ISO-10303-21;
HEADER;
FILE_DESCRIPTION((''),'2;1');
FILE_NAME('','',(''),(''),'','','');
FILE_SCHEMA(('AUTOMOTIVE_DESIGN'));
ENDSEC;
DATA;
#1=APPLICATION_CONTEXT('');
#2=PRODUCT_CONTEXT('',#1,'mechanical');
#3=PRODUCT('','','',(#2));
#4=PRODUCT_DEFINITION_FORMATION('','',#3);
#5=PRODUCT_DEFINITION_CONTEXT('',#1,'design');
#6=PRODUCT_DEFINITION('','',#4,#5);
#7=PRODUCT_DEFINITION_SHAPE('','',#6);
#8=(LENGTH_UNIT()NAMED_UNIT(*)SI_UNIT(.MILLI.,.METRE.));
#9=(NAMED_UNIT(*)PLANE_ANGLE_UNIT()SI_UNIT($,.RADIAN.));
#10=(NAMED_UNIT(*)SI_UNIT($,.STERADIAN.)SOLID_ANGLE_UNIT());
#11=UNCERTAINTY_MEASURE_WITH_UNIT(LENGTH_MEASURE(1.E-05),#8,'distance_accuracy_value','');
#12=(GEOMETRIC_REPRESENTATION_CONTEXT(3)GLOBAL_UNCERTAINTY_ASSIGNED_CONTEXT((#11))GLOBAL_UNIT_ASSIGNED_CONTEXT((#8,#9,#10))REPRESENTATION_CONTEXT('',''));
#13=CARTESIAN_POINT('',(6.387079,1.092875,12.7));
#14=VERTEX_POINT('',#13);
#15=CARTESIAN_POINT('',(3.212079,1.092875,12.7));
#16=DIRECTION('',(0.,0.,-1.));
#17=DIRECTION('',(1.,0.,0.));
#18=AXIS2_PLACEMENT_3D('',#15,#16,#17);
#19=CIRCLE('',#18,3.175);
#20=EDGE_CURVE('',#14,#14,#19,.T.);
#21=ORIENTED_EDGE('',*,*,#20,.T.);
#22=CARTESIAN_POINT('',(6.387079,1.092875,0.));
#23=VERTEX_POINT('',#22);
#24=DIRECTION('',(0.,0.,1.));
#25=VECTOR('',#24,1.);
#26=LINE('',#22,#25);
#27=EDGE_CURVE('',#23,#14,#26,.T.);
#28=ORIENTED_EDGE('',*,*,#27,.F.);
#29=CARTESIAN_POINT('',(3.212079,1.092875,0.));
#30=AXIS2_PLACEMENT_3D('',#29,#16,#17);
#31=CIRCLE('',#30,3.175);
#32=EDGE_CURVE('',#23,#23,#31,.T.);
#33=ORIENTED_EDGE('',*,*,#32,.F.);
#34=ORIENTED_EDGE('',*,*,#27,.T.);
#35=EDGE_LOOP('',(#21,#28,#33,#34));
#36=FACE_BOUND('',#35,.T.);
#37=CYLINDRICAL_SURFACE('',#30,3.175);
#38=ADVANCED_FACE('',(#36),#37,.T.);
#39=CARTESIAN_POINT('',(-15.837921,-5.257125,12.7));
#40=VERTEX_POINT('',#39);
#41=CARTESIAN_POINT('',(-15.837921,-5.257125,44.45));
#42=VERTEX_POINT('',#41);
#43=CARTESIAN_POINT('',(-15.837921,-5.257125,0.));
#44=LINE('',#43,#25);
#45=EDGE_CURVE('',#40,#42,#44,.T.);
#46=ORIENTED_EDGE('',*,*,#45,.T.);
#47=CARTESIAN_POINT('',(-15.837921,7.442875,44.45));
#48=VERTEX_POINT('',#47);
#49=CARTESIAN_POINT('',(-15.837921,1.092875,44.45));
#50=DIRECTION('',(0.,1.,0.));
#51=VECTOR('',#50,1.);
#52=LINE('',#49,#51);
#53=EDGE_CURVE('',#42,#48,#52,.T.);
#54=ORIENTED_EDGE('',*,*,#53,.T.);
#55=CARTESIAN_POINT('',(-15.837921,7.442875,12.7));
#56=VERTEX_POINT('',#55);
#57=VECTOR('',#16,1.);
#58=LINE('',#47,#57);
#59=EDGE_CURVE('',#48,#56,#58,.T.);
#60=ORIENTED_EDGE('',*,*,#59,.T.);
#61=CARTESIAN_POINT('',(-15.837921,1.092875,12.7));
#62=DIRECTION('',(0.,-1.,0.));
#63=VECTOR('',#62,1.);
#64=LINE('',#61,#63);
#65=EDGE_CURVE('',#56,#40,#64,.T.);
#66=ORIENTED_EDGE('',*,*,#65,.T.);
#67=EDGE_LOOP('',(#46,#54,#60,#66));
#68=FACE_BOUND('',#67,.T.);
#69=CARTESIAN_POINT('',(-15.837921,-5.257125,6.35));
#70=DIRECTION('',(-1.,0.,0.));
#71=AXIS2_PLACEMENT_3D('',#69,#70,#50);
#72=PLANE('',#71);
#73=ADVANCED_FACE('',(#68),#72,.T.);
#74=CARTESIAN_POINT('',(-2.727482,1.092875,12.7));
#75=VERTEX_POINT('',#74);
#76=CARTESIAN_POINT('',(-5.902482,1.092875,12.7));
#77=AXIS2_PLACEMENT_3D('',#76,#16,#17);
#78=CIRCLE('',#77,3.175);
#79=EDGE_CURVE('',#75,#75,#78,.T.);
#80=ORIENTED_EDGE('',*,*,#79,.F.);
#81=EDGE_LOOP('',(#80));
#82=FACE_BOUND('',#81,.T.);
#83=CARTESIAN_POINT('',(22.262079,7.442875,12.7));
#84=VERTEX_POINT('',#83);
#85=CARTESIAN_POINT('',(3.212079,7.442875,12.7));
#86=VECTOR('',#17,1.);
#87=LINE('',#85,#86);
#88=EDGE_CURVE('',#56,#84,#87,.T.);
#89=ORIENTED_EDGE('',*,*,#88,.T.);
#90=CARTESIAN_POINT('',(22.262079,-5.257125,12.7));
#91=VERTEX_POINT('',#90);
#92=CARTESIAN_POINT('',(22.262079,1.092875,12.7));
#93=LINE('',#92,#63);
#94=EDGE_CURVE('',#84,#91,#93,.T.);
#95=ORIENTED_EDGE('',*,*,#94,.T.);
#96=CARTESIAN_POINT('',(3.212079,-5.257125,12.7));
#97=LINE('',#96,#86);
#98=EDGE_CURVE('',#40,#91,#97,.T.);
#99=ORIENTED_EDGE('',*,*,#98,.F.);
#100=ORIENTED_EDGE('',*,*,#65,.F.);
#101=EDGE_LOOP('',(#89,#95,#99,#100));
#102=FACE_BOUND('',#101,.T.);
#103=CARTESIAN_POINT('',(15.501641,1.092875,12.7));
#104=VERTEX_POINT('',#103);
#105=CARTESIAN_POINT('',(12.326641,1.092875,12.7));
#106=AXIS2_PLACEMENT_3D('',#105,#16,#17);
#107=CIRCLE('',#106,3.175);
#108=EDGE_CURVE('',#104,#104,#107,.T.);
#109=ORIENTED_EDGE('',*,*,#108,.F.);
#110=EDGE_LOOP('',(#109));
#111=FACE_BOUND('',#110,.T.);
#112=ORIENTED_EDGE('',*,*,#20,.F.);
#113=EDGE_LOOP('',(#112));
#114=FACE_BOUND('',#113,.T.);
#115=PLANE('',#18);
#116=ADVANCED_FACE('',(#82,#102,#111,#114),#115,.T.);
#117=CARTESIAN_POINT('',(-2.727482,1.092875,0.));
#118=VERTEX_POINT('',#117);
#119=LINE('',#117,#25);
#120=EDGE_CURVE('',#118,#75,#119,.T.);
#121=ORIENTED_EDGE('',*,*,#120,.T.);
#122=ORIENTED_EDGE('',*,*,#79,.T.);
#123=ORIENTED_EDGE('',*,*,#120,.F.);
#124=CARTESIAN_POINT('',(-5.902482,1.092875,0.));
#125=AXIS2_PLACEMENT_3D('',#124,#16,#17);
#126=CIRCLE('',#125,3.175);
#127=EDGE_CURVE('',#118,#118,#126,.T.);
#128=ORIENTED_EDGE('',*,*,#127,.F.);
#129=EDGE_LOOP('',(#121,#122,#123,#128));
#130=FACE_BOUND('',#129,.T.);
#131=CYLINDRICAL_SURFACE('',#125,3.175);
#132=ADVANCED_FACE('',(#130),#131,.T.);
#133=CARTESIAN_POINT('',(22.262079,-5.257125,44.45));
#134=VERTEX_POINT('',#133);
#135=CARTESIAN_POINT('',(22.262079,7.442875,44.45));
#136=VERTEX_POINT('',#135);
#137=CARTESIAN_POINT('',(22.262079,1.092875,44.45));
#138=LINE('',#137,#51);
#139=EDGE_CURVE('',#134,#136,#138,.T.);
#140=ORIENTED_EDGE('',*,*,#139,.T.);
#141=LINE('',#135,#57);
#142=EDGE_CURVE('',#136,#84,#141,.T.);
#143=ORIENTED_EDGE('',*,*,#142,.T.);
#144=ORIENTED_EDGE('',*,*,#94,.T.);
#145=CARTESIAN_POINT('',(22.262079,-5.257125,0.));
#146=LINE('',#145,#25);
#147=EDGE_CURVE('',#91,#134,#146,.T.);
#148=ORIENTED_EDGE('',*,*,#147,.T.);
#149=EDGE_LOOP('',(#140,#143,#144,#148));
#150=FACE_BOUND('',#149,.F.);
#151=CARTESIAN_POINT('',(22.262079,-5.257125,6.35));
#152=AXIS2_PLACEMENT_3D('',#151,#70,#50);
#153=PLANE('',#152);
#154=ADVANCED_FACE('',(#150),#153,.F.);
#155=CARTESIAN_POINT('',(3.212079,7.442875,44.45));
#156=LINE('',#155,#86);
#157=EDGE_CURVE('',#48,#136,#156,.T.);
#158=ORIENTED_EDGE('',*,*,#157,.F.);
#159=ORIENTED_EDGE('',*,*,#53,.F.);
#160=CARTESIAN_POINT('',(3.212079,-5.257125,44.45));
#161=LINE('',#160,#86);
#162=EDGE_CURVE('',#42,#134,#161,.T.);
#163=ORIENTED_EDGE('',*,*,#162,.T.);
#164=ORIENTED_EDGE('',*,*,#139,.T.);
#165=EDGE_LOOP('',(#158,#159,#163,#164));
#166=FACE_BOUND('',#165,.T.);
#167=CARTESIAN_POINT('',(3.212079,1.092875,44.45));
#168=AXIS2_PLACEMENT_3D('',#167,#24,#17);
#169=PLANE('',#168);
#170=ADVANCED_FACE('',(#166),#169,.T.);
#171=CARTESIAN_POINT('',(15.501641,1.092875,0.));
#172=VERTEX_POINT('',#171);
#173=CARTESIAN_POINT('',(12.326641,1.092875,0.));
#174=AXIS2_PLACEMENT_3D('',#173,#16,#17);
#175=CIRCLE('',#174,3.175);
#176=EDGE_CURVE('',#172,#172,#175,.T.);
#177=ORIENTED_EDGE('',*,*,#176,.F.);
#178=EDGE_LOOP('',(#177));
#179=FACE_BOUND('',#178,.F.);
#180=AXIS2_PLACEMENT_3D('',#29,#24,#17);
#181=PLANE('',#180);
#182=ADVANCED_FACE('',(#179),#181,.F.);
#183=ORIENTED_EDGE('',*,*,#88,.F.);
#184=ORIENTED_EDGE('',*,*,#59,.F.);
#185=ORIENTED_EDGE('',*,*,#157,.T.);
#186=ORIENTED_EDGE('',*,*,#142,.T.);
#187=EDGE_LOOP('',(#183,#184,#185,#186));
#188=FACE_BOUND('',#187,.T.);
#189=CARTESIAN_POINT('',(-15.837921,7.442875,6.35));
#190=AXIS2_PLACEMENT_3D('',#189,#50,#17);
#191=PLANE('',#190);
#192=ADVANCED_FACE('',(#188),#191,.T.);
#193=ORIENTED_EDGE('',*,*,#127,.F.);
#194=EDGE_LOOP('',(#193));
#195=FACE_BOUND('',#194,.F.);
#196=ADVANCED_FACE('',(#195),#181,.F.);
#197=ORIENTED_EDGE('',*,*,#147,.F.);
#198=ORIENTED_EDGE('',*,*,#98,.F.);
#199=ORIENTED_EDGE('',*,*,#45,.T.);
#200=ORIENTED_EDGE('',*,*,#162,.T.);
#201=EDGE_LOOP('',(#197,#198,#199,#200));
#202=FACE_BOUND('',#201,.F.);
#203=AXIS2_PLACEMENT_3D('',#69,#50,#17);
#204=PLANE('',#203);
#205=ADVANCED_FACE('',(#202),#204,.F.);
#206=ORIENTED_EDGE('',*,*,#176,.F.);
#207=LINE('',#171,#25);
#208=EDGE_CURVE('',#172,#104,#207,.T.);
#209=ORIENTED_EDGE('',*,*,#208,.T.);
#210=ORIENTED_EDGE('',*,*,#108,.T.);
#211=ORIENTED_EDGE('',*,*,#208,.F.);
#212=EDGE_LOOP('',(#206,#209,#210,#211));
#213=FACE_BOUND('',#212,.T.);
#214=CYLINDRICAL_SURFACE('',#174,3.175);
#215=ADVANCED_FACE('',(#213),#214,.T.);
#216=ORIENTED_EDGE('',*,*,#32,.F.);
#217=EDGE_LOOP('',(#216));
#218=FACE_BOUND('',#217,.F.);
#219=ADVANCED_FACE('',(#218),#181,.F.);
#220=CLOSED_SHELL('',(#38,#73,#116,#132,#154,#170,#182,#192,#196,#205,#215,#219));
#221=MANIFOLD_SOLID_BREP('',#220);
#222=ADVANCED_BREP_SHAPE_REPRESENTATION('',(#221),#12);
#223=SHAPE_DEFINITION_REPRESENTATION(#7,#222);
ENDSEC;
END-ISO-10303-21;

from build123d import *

# Parameters (mm, degrees)
F0_W     = 38.1
F0_H     = 12.7
F1_DEPTH = 6.35
F2_W     = 38.1
F2_H     = 12.7
F3_DEPTH = 38.1
F4_W     = 38.1
F4_H     = 12.7
F4_R     = 3.175
F5_DEPTH = 12.7


with BuildPart() as f1:
    # F0 (on Top) → F1 (new body)
    with BuildSketch(Plane.XY):
        with Locations((3.2120794058, 1.0928753239)):
            Rectangle(F0_W, F0_H)
    extrude(amount=F1_DEPTH)

    # F2 (on face) → F3 (join)
    with BuildSketch(Plane.XY.offset(6.35)):
        with Locations((3.2120794058, 1.0928753239)):
            Rectangle(F2_W, F2_H)
    extrude(amount=F3_DEPTH)

    # F4 (on face) → F5 (cut)
    with BuildSketch(Plane(origin=(0, 0, 0), x_dir=(1, 0, 0), z_dir=(0, 0, -1))):
        with Locations((3.2120794058, -1.0928753239)):
            Rectangle(F4_W, F4_H)
        with Locations((-5.9024819942, -1.0928753239)):
            Circle(F4_R, mode=Mode.SUBTRACT)
        with Locations((3.2120794058, -1.0928753239)):
            Circle(F4_R, mode=Mode.SUBTRACT)
        with Locations((12.3266408058, -1.0928753239)):
            Circle(F4_R, mode=Mode.SUBTRACT)
    extrude(amount=-F5_DEPTH, mode=Mode.SUBTRACT)


solid = f1.part
